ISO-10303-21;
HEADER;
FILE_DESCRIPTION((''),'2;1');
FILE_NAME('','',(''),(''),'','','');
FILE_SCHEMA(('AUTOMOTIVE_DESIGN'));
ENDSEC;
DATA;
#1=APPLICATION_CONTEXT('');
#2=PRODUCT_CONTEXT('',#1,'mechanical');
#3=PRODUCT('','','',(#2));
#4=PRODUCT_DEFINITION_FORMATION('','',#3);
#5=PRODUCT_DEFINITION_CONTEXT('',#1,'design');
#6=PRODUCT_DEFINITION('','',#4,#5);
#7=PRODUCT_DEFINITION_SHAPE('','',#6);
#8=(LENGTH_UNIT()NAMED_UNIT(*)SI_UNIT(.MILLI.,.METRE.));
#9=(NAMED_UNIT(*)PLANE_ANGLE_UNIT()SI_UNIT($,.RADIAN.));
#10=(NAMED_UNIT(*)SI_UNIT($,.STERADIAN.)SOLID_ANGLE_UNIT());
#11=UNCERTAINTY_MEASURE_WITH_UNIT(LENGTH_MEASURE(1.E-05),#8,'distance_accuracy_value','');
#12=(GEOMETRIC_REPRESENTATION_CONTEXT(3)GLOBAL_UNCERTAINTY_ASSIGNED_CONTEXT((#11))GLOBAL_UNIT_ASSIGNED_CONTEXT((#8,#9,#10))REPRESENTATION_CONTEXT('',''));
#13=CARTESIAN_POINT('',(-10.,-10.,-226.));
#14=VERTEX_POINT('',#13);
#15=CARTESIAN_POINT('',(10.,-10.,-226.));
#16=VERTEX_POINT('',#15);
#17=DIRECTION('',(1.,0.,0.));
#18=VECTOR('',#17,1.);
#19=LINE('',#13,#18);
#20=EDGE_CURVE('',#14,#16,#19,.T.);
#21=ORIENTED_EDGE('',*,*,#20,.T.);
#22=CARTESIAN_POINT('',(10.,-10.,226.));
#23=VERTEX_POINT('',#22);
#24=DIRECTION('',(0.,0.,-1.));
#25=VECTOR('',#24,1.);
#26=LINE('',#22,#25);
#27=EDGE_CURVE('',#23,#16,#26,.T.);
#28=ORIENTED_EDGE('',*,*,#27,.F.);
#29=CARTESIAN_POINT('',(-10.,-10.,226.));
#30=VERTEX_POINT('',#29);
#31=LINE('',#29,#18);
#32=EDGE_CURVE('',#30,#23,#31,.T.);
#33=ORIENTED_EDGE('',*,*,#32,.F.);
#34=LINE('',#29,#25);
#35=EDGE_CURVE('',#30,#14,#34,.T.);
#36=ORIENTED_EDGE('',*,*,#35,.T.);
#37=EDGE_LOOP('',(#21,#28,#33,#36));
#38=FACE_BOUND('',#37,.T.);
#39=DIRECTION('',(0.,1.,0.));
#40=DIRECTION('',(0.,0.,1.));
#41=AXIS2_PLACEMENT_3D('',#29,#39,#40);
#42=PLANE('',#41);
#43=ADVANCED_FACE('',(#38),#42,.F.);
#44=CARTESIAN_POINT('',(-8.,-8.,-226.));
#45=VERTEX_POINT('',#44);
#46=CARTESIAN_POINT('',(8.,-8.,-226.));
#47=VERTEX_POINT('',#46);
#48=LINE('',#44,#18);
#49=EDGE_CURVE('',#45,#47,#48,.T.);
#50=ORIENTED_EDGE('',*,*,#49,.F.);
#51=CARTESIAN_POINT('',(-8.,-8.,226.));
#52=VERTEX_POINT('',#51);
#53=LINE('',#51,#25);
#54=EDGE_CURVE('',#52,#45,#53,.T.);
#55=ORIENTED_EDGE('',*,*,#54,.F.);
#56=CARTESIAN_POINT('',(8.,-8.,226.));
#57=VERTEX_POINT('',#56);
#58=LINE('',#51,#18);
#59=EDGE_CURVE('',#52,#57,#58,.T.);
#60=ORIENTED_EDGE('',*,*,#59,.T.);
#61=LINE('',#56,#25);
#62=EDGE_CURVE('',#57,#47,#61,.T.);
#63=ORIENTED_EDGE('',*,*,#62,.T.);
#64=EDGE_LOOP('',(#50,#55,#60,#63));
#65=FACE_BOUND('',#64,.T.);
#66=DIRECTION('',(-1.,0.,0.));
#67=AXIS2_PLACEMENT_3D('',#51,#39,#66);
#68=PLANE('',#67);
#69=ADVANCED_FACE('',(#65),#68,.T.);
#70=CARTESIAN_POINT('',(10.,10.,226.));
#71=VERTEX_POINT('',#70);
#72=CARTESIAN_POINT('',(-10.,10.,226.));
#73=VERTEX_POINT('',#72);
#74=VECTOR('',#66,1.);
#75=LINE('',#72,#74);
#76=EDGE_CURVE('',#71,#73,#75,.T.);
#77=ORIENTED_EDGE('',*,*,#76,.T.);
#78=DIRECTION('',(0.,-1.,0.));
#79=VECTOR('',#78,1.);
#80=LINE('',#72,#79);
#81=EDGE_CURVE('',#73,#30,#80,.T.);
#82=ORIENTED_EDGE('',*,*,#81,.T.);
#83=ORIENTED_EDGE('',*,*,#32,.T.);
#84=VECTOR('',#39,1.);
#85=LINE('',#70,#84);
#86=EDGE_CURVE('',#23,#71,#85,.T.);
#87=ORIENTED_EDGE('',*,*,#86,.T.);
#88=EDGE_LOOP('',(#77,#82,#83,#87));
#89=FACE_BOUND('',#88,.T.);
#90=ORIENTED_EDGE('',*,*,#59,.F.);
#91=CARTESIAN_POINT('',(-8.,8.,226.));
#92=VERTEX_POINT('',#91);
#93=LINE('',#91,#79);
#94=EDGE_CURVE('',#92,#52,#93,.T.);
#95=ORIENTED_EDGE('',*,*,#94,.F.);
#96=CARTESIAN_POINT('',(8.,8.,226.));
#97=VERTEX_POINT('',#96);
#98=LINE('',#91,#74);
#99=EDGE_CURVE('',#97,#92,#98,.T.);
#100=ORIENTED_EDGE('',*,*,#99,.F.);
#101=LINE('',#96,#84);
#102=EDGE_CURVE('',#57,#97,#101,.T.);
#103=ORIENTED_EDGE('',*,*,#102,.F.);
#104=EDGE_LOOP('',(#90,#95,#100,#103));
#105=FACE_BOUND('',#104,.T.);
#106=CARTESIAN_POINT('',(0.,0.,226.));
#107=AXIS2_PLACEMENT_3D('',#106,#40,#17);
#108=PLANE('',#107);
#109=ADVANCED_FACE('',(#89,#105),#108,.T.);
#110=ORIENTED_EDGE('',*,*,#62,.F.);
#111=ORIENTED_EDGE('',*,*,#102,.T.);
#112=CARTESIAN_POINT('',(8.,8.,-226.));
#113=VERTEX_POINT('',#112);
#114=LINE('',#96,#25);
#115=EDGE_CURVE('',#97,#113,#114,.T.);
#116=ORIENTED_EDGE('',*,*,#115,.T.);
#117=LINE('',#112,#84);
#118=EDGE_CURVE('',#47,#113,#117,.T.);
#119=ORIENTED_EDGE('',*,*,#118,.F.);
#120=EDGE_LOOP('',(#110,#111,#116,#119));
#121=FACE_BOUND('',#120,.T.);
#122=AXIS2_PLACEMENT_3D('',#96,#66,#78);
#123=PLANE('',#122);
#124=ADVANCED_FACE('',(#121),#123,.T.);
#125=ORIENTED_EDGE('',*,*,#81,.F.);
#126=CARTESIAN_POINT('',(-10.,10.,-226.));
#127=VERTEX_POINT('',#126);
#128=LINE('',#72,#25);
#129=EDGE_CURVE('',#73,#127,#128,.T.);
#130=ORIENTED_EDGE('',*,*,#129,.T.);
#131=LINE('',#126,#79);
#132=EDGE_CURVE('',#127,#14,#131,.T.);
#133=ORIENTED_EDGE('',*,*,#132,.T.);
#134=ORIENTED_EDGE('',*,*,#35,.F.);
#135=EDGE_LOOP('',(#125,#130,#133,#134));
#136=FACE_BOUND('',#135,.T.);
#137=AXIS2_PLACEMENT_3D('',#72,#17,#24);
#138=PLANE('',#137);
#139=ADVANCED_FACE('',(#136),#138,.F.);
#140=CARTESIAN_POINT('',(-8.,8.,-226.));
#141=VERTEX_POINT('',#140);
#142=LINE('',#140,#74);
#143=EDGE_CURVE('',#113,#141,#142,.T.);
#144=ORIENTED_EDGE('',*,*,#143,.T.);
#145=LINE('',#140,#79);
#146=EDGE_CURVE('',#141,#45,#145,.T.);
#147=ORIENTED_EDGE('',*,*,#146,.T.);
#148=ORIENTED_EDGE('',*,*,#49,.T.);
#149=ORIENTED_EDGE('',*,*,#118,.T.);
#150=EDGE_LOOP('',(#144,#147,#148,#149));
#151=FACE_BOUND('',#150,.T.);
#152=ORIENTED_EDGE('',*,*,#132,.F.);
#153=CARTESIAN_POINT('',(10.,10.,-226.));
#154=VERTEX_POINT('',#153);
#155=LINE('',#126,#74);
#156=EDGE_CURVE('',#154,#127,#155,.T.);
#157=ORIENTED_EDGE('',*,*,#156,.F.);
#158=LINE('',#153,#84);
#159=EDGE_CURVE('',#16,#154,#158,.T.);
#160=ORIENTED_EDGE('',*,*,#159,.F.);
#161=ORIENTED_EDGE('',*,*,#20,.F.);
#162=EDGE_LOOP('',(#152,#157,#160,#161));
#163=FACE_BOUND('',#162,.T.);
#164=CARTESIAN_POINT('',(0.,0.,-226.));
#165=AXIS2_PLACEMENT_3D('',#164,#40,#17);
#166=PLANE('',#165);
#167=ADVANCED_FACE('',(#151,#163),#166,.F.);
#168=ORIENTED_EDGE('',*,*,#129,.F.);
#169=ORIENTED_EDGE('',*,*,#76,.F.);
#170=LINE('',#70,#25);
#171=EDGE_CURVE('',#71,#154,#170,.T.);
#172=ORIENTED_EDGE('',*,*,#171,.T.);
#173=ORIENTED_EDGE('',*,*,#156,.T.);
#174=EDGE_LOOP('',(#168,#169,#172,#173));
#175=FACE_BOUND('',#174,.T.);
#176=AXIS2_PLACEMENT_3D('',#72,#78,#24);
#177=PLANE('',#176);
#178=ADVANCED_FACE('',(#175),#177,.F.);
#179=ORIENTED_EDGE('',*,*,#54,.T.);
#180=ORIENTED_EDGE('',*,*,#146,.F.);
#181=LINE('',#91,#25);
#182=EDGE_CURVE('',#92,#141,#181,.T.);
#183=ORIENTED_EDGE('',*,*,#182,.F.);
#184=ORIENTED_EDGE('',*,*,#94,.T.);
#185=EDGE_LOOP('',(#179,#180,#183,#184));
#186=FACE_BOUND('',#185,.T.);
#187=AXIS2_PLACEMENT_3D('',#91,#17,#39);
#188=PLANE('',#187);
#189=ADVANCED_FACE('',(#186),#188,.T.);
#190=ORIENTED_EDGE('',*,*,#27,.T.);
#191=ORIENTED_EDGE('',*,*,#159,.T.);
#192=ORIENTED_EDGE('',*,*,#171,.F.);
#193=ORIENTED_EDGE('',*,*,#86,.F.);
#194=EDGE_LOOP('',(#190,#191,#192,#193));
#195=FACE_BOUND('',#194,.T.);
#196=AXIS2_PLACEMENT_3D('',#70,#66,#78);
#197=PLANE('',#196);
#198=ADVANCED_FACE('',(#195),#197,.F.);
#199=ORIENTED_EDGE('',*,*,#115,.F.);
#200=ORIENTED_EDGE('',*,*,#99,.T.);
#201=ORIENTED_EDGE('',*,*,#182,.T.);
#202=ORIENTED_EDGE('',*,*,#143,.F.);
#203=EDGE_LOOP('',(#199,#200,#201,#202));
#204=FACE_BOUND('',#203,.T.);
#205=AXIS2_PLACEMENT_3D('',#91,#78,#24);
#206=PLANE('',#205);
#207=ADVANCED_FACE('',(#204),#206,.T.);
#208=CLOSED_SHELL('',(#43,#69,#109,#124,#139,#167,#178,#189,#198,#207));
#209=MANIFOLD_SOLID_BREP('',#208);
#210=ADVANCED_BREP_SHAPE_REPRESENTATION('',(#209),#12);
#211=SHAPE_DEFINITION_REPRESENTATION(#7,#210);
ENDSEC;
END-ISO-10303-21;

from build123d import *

# Parameters (mm, degrees)
CROQUIS1_W              = 20
CROQUIS1_H              = 20
CROQUIS1_W_2            = 16
CROQUIS1_H_2            = 16
SALIENTE_EXTRUIR1_DEPTH = 226


with BuildPart() as part:
    # Croquis1 → Saliente-Extruir1 (new, symmetric)
    with BuildSketch(Plane.XY):
        Rectangle(CROQUIS1_W, CROQUIS1_H)
        Rectangle(CROQUIS1_W_2, CROQUIS1_H_2, mode=Mode.SUBTRACT)
    extrude(amount=SALIENTE_EXTRUIR1_DEPTH, both=True)


solid = part.part
